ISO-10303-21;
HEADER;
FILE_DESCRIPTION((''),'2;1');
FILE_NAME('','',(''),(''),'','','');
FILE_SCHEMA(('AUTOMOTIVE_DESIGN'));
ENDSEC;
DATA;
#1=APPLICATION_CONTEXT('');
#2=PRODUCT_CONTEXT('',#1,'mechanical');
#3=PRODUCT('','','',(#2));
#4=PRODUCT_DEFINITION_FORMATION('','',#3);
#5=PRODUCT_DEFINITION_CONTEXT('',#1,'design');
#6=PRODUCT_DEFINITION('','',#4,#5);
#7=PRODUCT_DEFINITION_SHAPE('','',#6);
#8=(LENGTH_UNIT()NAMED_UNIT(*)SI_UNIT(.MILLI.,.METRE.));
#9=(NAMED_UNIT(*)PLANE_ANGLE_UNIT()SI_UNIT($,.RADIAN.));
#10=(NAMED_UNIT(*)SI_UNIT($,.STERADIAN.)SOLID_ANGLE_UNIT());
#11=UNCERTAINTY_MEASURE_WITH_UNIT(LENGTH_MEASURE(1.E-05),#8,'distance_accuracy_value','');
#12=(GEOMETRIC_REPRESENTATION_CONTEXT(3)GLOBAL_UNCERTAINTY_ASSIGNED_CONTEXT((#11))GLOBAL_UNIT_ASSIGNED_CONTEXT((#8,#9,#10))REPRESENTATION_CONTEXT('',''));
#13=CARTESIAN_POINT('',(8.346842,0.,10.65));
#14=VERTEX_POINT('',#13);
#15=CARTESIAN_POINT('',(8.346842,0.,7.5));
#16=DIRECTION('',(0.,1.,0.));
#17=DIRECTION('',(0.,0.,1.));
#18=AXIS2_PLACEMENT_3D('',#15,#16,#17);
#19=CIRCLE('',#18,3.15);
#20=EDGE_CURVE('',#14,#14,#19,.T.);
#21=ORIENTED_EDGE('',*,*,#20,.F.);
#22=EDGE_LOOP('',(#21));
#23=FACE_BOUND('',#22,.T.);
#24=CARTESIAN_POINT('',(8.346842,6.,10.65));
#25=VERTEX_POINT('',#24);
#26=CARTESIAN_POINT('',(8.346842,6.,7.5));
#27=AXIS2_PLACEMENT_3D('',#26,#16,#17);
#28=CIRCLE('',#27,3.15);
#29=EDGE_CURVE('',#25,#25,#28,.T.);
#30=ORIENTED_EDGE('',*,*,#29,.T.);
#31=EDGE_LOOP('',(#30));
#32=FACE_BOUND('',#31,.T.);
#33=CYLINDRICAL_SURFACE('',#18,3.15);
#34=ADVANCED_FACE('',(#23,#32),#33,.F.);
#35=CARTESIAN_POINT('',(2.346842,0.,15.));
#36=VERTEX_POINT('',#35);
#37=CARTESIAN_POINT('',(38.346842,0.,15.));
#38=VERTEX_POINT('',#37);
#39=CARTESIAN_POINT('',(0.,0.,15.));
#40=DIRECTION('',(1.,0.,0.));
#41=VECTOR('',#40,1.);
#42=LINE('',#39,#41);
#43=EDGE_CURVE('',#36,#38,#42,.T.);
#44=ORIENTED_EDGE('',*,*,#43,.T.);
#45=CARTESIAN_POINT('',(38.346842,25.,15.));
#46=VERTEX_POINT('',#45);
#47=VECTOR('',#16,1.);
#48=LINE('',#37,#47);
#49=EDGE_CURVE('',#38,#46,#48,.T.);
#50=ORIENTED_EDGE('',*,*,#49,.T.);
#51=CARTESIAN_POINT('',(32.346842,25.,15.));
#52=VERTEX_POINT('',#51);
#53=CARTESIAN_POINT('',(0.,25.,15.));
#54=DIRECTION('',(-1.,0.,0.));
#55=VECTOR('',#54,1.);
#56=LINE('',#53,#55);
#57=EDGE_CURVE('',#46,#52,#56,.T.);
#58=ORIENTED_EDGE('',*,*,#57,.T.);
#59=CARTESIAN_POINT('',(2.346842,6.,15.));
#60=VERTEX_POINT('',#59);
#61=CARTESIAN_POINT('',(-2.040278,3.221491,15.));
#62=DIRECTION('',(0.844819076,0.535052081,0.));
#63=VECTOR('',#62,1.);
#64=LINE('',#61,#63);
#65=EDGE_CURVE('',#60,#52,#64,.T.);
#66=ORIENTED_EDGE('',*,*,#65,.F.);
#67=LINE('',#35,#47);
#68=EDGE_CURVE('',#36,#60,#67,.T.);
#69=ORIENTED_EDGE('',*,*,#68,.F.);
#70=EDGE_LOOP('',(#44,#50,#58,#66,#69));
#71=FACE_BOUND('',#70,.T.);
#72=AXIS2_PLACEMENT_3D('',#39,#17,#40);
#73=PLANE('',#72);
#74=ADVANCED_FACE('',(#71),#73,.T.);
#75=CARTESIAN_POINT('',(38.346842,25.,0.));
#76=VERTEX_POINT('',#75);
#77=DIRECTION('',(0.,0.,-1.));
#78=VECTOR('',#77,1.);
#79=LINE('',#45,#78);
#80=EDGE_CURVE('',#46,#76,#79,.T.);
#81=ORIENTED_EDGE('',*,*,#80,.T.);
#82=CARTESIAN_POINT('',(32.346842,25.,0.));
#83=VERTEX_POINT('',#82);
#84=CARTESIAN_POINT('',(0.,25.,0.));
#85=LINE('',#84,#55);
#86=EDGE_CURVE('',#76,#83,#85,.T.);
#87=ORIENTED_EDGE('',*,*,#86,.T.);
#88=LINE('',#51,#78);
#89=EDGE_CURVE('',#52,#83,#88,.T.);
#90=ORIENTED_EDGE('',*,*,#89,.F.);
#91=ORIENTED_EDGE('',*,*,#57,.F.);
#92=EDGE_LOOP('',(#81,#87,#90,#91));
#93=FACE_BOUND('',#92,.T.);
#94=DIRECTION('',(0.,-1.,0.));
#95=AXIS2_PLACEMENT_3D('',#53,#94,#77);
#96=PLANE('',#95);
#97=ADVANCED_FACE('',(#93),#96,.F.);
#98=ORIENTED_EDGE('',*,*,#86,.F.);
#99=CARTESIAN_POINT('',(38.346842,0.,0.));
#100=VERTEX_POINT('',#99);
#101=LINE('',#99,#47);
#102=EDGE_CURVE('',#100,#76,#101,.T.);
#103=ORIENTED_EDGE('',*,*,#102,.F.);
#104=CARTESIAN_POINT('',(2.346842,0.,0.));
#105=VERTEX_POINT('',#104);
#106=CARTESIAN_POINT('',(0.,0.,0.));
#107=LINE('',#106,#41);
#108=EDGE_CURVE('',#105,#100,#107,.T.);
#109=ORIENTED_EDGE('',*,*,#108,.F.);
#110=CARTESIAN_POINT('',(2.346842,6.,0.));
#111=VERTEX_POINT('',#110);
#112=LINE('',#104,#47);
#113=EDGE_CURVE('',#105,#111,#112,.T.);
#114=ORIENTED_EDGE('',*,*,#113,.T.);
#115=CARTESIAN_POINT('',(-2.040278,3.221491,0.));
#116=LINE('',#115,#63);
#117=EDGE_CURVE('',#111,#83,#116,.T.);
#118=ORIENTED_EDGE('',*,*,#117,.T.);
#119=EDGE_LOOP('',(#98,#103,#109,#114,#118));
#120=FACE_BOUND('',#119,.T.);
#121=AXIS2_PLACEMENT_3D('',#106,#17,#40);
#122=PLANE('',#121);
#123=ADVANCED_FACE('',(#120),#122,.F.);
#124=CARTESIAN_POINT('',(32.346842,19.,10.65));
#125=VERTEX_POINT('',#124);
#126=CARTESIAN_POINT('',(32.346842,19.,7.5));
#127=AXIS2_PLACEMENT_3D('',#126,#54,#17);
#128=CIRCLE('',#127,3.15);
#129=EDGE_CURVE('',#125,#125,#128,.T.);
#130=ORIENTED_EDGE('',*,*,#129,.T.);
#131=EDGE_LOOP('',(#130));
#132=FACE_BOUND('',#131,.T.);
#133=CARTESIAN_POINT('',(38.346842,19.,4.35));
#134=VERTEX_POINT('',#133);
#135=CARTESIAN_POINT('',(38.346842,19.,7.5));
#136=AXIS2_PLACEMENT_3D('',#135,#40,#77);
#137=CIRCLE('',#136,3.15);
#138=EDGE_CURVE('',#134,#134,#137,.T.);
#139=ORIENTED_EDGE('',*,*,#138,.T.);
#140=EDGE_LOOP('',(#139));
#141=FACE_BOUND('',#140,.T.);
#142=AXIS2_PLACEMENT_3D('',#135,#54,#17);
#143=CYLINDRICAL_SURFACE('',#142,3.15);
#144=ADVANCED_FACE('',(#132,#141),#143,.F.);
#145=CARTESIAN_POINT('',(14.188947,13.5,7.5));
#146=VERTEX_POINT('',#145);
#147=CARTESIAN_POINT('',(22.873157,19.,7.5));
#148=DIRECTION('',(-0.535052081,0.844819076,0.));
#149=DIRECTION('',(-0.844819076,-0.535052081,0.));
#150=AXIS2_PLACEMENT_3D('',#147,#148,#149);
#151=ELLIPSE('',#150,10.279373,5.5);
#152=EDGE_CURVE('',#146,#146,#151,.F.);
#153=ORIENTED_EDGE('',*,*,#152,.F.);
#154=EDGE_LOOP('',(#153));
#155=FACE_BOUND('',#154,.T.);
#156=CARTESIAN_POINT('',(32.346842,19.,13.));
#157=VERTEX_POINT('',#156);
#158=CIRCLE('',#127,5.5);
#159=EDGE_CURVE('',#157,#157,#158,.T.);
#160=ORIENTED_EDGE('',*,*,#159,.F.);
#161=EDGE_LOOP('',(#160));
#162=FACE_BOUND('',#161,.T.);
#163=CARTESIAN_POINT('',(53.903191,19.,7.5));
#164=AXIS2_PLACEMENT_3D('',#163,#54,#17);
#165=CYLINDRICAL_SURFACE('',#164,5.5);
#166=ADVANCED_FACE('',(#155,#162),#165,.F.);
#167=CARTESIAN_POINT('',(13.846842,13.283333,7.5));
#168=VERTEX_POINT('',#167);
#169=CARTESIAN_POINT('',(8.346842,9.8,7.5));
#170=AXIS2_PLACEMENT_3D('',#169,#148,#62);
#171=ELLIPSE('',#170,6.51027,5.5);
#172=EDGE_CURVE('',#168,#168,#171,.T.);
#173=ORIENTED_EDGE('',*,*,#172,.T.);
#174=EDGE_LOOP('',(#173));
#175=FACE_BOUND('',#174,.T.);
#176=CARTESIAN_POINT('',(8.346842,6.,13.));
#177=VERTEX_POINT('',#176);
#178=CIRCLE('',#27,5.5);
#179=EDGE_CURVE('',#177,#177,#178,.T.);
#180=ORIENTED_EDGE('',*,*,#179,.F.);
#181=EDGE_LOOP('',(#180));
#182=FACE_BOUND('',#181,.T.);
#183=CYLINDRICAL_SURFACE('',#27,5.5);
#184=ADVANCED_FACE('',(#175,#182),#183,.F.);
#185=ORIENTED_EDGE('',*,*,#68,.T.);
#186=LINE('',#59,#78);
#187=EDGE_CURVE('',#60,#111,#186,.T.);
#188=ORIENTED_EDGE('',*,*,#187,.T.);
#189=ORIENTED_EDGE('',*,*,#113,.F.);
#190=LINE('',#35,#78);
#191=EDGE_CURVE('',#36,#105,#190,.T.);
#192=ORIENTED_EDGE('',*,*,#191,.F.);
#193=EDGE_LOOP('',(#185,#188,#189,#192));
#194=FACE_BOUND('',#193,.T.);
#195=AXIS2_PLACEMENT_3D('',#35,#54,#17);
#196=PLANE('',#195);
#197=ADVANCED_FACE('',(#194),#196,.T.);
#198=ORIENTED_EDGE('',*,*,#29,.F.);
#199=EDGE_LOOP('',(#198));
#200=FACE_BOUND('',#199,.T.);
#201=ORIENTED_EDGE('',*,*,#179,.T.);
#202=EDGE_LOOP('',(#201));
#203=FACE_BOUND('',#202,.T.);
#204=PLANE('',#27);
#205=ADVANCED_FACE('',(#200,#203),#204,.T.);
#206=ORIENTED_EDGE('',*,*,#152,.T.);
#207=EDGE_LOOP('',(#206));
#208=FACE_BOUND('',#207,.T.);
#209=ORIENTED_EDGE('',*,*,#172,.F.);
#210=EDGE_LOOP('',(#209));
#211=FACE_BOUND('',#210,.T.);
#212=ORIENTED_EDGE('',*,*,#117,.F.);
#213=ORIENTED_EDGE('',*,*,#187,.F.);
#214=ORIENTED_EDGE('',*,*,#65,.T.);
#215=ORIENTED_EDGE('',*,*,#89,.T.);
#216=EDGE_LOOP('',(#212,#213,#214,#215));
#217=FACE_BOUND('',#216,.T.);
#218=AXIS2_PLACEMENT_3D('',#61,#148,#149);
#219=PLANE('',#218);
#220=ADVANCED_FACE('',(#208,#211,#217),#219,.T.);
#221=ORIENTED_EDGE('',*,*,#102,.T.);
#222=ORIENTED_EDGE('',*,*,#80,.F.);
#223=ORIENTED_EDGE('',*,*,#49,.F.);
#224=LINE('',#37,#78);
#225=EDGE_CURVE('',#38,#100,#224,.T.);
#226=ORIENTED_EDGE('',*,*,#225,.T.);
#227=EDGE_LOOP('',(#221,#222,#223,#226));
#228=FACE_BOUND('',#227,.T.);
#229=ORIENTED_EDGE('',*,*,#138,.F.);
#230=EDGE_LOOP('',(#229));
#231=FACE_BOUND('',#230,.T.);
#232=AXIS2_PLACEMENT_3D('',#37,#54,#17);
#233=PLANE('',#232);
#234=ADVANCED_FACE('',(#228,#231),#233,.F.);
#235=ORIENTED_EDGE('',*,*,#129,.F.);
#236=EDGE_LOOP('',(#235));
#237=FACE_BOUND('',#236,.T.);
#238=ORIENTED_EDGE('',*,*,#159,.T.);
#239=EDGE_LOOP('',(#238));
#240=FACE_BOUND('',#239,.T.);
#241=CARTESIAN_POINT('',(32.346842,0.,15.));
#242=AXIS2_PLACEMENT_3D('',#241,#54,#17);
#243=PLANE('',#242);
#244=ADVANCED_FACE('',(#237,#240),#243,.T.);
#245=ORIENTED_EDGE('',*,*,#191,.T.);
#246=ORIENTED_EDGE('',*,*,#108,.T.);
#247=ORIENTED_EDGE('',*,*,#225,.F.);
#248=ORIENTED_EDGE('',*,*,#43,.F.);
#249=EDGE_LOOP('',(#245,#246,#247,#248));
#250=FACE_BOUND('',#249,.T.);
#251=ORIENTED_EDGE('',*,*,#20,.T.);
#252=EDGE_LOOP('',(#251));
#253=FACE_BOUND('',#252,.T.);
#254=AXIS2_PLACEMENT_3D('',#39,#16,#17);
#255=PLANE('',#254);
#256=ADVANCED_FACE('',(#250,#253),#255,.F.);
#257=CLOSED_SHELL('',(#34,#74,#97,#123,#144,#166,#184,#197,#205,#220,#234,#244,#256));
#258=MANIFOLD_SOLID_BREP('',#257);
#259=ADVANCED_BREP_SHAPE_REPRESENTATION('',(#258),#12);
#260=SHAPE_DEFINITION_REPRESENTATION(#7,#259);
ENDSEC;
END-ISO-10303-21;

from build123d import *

# Parameters (mm, degrees)
BOSS_EXTRUDE2_DEPTH = 15
SKETCH4_R           = 3.15
CUT_EXTRUDE1_DEPTH  = 46.776415929
SKETCH4_3_R         = 5.5
SKETCH4_3_R_2       = 3.15
CUT_EXTRUDE2_DEPTH  = 14
SKETCH6_R           = 3.15
CUT_EXTRUDE3_DEPTH  = 49.171363436
SKETCH6_3_R         = 5.5
SKETCH6_3_R_2       = 3.15
CUT_EXTRUDE4_DEPTH  = 32.34684153


with BuildPart() as part:
    # Sketch3 → Boss-Extrude2 (new body)
    with BuildSketch(Plane.XY):
        Polygon((2.34684153, 0), (38.34684153, 0), (38.34684153, 25), (32.34684153, 25), (2.34684153, 6), align=None)
    extrude(amount=BOSS_EXTRUDE2_DEPTH)

    # Sketch4 → Cut-Extrude1 (cut, through all)
    with BuildSketch(Plane(origin=(0, 20, 0), x_dir=(1, 0, 0), z_dir=(0, 1, 0))):
        with Locations(Location((8.34684153, -7.5, 0), (0, 0, 270))):
            Circle(SKETCH4_R)
    extrude(amount=-CUT_EXTRUDE1_DEPTH, mode=Mode.SUBTRACT)

    # Sketch4<3> → Cut-Extrude2 (cut)
    with BuildSketch(Plane(origin=(0, 20, 0), x_dir=(1, 0, 0), z_dir=(0, 1, 0))):
        with Locations(Location((8.34684153, -7.5, 0), (0, 0, 270))):
            Circle(SKETCH4_3_R)
        with Locations(Location((8.34684153, -7.5, 0), (0, 0, 270))):
            Circle(SKETCH4_3_R_2, mode=Mode.SUBTRACT)
    extrude(amount=-CUT_EXTRUDE2_DEPTH, mode=Mode.SUBTRACT)

    # Sketch6 → Cut-Extrude3 (cut, through all)
    with BuildSketch(Plane(origin=(0, 0, 0), x_dir=(0, 0, -1), z_dir=(1, 0, 0))):
        with Locations(Location((-7.5, 19, 0), (0, 0, 270))):
            Circle(SKETCH6_R)
    extrude(amount=CUT_EXTRUDE3_DEPTH, mode=Mode.SUBTRACT)

    # Sketch6<3> → Cut-Extrude4 (cut)
    with BuildSketch(Plane(origin=(0, 0, 0), x_dir=(0, 0, -1), z_dir=(1, 0, 0))):
        with Locations(Location((-7.5, 19, 0), (0, 0, 180))):
            Circle(SKETCH6_3_R)
        with Locations(Location((-7.5, 19, 0), (0, 0, 180))):
            Circle(SKETCH6_3_R_2, mode=Mode.SUBTRACT)
    extrude(amount=CUT_EXTRUDE4_DEPTH, mode=Mode.SUBTRACT)


solid = part.part
